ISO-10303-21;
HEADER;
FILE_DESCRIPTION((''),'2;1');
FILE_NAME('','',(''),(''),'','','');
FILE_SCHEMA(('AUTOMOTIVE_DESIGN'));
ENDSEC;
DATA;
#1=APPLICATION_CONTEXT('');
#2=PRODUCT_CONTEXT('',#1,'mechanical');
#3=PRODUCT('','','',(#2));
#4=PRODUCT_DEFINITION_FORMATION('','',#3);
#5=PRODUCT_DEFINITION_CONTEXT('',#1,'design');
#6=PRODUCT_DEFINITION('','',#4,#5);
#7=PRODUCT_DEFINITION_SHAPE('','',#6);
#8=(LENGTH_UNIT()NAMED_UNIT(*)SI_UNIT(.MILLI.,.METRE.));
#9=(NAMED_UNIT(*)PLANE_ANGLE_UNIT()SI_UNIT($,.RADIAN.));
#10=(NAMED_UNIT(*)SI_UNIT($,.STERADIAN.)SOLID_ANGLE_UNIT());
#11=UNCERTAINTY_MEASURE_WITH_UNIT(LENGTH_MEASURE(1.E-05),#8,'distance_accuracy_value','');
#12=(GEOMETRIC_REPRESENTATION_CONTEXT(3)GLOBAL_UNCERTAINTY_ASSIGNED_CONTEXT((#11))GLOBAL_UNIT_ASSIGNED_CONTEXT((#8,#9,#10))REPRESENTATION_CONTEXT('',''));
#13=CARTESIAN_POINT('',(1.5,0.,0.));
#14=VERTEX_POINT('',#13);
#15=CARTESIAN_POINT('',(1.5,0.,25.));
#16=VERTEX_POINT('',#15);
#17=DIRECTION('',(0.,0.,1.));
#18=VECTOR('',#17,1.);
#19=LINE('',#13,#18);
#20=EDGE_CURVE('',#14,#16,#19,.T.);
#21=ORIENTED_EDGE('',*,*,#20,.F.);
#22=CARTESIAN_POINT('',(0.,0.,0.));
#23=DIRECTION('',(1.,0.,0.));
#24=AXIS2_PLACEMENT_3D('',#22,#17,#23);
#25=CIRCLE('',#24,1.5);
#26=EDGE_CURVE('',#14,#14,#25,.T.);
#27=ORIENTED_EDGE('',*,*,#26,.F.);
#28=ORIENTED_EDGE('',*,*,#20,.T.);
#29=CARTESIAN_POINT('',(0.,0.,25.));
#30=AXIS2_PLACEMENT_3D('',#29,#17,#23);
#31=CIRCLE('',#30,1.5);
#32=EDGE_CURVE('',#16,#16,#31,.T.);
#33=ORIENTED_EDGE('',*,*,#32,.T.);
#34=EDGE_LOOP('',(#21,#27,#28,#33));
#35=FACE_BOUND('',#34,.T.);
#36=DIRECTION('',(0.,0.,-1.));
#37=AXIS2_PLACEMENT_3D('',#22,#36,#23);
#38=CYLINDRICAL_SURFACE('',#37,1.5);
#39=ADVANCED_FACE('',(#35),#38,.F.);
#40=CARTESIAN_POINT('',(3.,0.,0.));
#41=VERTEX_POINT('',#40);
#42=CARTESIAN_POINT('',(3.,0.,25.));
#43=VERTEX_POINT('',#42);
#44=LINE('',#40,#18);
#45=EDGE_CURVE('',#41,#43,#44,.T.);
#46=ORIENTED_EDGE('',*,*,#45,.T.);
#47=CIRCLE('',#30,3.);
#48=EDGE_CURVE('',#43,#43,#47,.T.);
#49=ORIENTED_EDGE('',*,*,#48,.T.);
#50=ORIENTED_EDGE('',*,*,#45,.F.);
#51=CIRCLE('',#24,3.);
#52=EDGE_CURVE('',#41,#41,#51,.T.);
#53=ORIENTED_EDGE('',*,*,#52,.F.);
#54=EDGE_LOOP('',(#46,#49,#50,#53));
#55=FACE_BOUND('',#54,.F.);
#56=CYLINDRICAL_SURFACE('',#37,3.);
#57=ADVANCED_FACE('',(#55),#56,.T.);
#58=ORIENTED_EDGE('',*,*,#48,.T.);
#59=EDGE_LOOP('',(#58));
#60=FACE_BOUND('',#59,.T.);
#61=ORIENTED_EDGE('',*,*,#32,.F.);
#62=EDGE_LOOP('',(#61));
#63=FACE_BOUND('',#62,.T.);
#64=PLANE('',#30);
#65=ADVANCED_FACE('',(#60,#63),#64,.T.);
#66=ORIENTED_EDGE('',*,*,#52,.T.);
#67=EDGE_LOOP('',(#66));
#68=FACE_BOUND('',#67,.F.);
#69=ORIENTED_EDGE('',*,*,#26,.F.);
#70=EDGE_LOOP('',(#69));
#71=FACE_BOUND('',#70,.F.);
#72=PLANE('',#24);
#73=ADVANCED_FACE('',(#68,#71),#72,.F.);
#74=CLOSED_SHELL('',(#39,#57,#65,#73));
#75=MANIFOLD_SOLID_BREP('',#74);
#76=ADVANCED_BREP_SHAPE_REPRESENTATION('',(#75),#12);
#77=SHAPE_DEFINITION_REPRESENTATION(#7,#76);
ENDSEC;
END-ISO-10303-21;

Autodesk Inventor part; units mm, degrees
ref_plane "YZ Plane" through (0, 0, 0) normal (1, 0, 0) x (0, 1, 0)
ref_plane "XZ Plane" through (0, 0, 0) normal (0, 1, 0) x (-1, 0, 0)
ref_plane "XY Plane" through (0, 0, 0) normal (0, 0, 1) x (1, 0, 0)
sketch "スケッチ1" plane through (0, 0, 0) normal (0, 0, 1) x (1, 0, 0)
  circle A0 centre (0, 0) radius 3
  circle A1 centre (0, 0) radius 1.5
  dimension "d0" = 6
  dimension "d1" = 3
extrude "押し出し1" add sketch "スケッチ1" along normal blind 25
properties part number "スペーサーm3-25　簡易筒型" material "アルミニウム 2014-T4"
